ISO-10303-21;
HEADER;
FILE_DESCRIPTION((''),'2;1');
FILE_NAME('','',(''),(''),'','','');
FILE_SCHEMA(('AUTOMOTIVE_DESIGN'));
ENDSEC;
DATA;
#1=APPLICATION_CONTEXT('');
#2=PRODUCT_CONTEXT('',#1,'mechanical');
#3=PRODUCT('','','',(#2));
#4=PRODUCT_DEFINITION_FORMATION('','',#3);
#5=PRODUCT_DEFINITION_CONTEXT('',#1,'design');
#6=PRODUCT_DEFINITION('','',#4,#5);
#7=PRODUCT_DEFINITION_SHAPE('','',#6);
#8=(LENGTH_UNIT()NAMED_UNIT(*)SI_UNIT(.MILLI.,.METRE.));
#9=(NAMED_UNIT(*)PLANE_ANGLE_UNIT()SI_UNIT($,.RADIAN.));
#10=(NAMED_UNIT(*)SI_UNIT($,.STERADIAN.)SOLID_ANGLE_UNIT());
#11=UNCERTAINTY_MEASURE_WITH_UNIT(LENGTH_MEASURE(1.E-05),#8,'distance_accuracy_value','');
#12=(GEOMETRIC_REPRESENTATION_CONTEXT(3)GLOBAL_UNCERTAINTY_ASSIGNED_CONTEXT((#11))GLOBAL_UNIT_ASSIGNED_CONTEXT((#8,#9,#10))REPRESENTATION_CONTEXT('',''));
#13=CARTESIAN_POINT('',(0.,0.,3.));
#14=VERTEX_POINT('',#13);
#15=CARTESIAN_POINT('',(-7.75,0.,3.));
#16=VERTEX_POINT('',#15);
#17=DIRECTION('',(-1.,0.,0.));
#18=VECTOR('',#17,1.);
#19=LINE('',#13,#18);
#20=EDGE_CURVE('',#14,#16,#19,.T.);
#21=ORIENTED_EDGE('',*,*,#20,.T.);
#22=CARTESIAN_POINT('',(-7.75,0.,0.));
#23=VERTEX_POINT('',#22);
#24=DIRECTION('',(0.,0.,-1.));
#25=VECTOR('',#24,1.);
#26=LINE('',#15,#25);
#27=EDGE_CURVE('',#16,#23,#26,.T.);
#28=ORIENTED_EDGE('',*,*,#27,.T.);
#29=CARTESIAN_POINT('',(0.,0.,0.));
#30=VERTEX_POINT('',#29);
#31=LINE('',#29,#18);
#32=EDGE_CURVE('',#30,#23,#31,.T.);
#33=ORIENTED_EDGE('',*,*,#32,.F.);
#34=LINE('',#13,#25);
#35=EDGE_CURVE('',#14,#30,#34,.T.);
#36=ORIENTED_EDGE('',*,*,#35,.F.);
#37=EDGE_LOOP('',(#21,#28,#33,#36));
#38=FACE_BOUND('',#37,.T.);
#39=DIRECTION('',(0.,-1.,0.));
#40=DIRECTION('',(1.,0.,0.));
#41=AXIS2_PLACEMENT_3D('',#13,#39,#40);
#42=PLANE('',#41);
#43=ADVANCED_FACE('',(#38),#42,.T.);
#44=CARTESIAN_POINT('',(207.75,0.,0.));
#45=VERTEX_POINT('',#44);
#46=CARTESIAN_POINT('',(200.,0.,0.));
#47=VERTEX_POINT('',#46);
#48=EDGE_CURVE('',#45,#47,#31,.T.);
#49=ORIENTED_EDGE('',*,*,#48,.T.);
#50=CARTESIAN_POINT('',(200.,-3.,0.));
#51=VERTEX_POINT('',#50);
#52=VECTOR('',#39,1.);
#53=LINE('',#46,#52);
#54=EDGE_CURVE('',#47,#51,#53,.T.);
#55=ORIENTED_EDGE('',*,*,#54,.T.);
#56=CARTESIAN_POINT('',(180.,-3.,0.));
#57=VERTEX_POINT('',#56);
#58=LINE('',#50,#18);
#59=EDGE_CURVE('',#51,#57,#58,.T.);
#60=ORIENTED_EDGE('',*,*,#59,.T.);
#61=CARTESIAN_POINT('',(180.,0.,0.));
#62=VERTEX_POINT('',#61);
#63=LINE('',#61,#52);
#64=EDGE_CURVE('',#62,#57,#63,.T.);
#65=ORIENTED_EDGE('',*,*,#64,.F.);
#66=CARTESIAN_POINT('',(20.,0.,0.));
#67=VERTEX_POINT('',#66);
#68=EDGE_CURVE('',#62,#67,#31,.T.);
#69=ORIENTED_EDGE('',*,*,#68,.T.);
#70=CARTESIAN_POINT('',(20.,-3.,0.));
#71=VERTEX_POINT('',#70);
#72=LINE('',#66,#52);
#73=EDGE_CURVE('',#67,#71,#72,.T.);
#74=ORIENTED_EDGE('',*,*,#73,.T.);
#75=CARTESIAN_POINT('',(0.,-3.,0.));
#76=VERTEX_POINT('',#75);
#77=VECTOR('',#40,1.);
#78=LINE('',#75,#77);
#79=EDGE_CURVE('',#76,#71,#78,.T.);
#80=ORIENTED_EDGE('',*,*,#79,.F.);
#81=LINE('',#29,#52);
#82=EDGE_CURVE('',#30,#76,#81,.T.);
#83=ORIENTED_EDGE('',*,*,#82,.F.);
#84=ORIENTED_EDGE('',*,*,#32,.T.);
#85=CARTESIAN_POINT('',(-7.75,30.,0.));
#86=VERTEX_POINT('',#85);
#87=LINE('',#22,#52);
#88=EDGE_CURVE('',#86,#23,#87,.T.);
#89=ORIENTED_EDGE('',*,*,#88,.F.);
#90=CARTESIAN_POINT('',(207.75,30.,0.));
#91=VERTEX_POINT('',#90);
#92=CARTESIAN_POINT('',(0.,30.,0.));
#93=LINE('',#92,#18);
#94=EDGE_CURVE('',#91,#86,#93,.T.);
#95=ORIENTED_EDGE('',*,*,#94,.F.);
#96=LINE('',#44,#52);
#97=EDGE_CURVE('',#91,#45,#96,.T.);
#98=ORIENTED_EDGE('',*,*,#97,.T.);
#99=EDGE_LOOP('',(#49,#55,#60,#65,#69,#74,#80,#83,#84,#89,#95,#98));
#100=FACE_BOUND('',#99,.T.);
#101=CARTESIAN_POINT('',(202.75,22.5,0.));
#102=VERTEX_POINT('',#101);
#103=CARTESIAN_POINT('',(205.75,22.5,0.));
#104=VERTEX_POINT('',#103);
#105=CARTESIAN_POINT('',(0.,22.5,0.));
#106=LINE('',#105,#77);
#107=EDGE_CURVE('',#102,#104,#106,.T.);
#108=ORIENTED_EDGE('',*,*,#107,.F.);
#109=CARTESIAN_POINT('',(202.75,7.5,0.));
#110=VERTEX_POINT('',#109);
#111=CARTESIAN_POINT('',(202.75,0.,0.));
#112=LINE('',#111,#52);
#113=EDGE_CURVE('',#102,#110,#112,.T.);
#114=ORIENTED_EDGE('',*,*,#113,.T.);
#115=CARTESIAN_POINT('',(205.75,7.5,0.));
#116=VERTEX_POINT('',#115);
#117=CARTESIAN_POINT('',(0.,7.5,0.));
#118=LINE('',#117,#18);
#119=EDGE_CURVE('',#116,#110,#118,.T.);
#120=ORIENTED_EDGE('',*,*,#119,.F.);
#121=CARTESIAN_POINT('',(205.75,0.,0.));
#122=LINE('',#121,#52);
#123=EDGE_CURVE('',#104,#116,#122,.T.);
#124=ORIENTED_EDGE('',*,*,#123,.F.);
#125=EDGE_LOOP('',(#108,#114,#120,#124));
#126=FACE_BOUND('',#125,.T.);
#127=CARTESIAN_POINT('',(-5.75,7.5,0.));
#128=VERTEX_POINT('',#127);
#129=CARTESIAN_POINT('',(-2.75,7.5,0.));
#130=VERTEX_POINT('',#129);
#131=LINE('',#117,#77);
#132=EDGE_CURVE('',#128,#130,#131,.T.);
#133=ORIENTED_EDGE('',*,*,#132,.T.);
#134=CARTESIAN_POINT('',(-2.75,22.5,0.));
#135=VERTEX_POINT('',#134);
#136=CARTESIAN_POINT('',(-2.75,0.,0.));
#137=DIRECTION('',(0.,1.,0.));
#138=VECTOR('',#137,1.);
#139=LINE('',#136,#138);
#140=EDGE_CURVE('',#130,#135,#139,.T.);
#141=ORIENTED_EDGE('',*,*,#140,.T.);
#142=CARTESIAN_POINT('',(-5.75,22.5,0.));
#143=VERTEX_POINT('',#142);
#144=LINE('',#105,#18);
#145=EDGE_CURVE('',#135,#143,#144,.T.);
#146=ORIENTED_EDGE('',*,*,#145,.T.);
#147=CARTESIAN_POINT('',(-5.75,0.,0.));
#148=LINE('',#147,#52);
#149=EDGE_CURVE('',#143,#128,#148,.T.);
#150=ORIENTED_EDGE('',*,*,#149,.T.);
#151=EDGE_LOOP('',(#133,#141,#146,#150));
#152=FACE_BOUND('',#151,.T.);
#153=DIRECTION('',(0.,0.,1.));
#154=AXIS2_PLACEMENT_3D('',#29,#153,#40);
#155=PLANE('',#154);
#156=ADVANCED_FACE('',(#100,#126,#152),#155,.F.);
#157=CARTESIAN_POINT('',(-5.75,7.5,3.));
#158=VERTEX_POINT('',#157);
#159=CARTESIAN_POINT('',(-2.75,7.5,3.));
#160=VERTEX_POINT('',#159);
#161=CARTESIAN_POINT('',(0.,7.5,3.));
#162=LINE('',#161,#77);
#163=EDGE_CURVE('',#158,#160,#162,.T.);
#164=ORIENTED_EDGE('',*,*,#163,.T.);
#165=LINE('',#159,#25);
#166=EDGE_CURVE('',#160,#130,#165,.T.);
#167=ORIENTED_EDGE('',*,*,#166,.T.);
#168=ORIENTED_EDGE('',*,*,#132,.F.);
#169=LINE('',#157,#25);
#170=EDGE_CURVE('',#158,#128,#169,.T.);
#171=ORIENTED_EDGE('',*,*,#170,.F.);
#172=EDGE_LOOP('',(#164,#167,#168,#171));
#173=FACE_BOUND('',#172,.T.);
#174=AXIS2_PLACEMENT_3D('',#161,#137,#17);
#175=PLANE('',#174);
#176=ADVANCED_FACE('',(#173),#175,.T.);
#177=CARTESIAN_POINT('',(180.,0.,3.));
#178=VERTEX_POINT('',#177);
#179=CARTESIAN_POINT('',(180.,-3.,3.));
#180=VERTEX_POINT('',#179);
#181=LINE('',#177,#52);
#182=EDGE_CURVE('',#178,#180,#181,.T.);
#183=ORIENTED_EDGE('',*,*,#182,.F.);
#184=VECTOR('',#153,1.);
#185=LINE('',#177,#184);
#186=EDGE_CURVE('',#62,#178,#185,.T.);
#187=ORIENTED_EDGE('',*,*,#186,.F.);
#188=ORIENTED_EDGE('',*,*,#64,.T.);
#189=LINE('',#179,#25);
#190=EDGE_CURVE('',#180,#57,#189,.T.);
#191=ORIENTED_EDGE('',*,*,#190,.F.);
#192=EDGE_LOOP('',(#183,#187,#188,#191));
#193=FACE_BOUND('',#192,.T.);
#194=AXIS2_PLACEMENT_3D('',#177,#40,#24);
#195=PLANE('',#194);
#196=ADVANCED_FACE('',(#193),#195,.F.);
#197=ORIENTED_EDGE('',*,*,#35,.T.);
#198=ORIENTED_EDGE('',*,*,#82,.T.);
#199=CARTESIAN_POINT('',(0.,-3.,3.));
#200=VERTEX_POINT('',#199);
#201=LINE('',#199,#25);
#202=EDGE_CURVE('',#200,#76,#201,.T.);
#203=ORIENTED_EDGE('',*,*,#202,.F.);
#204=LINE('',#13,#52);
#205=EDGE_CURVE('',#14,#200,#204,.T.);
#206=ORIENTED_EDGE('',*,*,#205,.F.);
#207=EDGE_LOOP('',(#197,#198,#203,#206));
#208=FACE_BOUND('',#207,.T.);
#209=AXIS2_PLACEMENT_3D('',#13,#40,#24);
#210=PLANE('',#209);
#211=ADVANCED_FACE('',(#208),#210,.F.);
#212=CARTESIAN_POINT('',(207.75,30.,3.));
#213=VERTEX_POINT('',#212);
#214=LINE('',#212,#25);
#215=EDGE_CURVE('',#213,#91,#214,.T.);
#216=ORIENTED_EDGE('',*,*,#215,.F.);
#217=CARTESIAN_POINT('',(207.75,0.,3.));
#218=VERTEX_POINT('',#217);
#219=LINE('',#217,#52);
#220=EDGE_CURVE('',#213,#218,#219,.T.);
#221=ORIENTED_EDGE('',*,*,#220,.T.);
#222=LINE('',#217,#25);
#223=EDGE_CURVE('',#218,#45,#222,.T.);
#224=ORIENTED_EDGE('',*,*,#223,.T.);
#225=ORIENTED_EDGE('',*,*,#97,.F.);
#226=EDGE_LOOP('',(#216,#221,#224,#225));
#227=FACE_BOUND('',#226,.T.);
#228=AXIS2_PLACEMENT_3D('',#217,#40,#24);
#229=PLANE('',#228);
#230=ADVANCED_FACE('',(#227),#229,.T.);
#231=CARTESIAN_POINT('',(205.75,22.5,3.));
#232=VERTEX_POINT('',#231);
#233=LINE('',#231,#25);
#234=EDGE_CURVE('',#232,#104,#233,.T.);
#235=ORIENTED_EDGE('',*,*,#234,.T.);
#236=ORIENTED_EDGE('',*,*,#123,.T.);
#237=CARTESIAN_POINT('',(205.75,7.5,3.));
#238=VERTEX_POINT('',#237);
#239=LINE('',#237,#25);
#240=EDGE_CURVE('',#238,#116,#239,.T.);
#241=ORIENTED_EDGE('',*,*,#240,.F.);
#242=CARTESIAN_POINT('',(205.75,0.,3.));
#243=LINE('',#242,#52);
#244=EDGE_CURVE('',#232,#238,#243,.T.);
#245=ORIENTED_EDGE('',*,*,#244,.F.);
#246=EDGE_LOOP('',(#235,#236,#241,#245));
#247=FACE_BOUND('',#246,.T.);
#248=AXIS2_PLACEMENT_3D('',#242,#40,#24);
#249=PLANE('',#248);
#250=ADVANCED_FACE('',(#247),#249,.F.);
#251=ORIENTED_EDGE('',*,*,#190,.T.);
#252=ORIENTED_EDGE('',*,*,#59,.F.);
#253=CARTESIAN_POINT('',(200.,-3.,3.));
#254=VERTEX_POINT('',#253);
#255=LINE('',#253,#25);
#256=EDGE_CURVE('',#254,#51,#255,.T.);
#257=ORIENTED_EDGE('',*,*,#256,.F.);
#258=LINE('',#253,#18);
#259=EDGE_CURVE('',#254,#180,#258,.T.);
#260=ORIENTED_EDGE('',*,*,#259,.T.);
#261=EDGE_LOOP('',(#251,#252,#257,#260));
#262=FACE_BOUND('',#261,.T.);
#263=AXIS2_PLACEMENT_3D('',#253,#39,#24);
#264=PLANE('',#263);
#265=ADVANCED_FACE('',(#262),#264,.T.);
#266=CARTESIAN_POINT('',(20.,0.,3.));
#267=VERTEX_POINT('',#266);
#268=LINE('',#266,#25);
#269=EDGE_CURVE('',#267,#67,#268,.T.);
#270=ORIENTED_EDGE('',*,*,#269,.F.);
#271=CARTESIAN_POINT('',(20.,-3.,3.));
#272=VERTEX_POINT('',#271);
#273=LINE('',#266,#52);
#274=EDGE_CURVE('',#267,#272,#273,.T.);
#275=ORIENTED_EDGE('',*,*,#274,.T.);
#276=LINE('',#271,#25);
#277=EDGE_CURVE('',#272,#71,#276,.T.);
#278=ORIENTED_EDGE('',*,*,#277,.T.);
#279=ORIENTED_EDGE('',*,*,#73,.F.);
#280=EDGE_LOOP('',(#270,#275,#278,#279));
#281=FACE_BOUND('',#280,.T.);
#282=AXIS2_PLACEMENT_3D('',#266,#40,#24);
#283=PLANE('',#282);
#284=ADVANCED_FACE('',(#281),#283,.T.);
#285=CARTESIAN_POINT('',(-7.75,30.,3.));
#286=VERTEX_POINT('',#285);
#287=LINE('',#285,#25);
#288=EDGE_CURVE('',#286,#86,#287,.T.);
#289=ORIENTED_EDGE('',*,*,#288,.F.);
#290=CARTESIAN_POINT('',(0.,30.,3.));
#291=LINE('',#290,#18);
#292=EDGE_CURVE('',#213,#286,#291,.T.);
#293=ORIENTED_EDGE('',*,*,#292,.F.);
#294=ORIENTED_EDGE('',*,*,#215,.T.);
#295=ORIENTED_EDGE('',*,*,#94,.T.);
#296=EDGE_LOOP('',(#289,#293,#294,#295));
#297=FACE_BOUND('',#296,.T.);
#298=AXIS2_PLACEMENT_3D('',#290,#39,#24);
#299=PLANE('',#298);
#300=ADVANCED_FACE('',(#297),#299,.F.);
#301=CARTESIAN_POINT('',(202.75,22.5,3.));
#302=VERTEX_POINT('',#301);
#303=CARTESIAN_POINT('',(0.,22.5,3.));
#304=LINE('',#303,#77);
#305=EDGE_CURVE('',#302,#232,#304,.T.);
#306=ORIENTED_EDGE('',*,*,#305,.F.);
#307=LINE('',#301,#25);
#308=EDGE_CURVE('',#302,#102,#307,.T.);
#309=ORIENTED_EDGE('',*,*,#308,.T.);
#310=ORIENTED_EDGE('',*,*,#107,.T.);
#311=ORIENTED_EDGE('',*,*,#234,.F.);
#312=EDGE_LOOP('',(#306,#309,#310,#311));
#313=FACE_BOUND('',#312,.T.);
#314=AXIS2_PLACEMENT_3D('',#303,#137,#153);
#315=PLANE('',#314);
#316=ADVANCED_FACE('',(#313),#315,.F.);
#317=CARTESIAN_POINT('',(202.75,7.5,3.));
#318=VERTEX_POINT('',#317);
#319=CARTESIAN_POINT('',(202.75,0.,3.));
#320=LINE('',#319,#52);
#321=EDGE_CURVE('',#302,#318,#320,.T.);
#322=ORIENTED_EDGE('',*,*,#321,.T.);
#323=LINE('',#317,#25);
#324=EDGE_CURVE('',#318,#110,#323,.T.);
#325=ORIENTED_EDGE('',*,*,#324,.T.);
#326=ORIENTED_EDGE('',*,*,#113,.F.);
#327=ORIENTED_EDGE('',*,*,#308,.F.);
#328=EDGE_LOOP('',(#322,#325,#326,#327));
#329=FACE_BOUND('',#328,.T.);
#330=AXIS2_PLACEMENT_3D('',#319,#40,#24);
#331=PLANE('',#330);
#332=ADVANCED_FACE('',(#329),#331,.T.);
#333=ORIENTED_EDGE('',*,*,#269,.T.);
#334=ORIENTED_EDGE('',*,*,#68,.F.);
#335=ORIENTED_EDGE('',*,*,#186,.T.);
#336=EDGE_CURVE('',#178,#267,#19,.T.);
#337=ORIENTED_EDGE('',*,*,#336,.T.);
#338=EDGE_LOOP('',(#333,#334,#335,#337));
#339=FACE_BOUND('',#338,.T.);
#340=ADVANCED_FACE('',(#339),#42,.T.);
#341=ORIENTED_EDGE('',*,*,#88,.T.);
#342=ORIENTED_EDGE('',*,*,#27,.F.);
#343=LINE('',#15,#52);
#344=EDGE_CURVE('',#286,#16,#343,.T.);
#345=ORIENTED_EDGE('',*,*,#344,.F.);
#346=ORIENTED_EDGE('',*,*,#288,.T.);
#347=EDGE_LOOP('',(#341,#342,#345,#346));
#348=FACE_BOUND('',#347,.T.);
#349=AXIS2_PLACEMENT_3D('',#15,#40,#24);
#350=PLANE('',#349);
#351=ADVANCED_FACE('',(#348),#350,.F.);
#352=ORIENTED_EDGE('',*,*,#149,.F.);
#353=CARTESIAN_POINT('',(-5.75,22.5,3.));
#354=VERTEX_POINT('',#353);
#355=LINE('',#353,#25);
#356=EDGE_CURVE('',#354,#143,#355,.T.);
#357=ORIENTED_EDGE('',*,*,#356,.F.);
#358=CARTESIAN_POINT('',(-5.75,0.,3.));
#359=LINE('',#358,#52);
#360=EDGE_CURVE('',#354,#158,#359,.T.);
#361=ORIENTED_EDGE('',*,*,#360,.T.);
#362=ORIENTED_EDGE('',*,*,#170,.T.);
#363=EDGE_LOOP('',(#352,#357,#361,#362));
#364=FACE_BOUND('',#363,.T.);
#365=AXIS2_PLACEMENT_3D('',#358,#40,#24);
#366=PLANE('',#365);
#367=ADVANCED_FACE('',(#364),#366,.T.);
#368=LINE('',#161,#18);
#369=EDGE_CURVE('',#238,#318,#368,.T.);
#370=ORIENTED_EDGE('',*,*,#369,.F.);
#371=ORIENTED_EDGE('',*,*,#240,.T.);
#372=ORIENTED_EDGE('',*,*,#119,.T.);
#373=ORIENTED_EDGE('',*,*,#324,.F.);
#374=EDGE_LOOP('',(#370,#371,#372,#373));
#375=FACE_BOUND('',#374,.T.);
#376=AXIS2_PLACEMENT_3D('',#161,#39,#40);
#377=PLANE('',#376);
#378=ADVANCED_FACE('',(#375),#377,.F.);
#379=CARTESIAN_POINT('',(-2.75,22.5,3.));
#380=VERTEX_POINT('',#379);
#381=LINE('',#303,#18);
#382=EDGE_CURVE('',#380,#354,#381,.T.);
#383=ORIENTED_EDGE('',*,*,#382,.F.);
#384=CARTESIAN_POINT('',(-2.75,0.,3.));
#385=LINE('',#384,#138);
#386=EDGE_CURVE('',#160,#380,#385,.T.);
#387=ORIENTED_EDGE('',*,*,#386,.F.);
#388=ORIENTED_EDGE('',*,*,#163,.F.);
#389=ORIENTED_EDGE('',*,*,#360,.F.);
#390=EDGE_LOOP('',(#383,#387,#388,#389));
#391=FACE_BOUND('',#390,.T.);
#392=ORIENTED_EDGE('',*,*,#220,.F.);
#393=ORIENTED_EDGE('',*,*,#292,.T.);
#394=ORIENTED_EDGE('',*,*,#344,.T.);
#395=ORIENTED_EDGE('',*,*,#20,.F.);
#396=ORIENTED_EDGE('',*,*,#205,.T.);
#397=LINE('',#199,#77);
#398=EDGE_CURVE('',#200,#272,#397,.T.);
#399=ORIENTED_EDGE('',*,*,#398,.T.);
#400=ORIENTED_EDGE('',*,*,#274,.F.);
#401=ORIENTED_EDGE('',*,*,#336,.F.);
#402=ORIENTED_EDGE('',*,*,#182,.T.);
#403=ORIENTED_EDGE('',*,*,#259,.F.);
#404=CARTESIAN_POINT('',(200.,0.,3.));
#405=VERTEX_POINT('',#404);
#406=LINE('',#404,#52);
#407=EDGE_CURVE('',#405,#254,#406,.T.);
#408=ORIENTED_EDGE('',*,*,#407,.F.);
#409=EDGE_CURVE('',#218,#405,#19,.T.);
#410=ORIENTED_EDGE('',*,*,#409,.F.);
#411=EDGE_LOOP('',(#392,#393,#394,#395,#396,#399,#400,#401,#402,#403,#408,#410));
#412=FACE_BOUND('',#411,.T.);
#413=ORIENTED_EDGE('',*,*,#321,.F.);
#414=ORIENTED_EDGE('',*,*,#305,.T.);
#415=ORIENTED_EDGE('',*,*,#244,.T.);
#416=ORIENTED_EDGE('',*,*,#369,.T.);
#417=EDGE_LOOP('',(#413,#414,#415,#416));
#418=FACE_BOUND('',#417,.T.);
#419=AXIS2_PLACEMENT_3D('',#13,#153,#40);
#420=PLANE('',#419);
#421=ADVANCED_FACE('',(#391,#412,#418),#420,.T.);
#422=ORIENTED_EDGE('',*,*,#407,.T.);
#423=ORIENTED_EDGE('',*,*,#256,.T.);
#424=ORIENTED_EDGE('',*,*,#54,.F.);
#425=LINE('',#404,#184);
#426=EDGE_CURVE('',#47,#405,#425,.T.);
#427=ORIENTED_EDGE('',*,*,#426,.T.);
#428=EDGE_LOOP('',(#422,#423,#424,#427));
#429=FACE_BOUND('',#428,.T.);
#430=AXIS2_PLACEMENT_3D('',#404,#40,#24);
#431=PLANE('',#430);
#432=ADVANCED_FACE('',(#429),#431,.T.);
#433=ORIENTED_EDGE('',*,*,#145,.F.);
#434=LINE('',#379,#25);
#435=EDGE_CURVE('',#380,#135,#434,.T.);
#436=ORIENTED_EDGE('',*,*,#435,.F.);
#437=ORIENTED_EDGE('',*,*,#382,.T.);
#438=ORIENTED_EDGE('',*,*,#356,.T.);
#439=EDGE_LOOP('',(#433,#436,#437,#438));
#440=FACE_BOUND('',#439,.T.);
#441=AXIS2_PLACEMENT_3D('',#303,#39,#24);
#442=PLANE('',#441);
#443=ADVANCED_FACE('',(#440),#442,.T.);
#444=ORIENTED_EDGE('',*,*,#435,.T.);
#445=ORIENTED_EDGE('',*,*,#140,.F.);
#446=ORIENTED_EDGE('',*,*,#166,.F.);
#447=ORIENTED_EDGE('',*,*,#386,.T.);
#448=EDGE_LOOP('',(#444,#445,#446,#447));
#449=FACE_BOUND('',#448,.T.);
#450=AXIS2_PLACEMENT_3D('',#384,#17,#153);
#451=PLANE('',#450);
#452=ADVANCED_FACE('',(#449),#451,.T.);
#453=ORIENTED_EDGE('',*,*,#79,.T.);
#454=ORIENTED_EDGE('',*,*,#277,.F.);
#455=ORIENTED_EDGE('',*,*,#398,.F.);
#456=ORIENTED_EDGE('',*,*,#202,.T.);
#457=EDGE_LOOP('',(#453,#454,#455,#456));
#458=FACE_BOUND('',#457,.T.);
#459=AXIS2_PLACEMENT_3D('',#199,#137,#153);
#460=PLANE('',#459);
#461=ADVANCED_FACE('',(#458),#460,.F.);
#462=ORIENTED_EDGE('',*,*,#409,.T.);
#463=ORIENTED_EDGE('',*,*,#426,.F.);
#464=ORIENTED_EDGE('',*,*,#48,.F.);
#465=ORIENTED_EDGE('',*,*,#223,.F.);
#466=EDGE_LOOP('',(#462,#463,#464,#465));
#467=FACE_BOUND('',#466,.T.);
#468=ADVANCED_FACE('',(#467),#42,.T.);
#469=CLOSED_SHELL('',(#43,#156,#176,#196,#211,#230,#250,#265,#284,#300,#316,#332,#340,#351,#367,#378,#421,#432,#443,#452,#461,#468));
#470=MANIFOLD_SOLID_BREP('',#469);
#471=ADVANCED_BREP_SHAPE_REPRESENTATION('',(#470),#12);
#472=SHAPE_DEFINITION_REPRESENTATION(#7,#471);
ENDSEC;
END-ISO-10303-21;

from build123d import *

# Parameters (mm, degrees)
SKETCH_1_W      = 20
SKETCH_1_H      = 3
EXTRUDE_1_DEPTH = 3


with BuildPart() as part:
    # 草图1 → 凸台-拉伸1 (new body)
    with BuildSketch(Plane.XY):
        Polygon((-2.75, 0), (0, 0), (20, 0), (180, 0), (200, 0), (202.75, 0), (207.75, 0), (207.75, 30), (202.75, 30), (200, 30), (0, 30), (-2.75, 30), (-7.75, 30), (-7.75, 0), align=None)
        Polygon((-2.75, 22.5), (-2.75, 15), (-2.75, 7.5), (-5.75, 7.5), (-5.75, 22.5), align=None, mode=Mode.SUBTRACT)
        Polygon((202.75, 7.5), (202.75, 15), (202.75, 22.5), (205.75, 22.5), (205.75, 7.5), align=None, mode=Mode.SUBTRACT)
        with Locations((10, -1.5)):
            Rectangle(SKETCH_1_W, SKETCH_1_H)
        with Locations((190, -1.5)):
            Rectangle(SKETCH_1_W, SKETCH_1_H)
    extrude(amount=EXTRUDE_1_DEPTH)


solid = part.part
